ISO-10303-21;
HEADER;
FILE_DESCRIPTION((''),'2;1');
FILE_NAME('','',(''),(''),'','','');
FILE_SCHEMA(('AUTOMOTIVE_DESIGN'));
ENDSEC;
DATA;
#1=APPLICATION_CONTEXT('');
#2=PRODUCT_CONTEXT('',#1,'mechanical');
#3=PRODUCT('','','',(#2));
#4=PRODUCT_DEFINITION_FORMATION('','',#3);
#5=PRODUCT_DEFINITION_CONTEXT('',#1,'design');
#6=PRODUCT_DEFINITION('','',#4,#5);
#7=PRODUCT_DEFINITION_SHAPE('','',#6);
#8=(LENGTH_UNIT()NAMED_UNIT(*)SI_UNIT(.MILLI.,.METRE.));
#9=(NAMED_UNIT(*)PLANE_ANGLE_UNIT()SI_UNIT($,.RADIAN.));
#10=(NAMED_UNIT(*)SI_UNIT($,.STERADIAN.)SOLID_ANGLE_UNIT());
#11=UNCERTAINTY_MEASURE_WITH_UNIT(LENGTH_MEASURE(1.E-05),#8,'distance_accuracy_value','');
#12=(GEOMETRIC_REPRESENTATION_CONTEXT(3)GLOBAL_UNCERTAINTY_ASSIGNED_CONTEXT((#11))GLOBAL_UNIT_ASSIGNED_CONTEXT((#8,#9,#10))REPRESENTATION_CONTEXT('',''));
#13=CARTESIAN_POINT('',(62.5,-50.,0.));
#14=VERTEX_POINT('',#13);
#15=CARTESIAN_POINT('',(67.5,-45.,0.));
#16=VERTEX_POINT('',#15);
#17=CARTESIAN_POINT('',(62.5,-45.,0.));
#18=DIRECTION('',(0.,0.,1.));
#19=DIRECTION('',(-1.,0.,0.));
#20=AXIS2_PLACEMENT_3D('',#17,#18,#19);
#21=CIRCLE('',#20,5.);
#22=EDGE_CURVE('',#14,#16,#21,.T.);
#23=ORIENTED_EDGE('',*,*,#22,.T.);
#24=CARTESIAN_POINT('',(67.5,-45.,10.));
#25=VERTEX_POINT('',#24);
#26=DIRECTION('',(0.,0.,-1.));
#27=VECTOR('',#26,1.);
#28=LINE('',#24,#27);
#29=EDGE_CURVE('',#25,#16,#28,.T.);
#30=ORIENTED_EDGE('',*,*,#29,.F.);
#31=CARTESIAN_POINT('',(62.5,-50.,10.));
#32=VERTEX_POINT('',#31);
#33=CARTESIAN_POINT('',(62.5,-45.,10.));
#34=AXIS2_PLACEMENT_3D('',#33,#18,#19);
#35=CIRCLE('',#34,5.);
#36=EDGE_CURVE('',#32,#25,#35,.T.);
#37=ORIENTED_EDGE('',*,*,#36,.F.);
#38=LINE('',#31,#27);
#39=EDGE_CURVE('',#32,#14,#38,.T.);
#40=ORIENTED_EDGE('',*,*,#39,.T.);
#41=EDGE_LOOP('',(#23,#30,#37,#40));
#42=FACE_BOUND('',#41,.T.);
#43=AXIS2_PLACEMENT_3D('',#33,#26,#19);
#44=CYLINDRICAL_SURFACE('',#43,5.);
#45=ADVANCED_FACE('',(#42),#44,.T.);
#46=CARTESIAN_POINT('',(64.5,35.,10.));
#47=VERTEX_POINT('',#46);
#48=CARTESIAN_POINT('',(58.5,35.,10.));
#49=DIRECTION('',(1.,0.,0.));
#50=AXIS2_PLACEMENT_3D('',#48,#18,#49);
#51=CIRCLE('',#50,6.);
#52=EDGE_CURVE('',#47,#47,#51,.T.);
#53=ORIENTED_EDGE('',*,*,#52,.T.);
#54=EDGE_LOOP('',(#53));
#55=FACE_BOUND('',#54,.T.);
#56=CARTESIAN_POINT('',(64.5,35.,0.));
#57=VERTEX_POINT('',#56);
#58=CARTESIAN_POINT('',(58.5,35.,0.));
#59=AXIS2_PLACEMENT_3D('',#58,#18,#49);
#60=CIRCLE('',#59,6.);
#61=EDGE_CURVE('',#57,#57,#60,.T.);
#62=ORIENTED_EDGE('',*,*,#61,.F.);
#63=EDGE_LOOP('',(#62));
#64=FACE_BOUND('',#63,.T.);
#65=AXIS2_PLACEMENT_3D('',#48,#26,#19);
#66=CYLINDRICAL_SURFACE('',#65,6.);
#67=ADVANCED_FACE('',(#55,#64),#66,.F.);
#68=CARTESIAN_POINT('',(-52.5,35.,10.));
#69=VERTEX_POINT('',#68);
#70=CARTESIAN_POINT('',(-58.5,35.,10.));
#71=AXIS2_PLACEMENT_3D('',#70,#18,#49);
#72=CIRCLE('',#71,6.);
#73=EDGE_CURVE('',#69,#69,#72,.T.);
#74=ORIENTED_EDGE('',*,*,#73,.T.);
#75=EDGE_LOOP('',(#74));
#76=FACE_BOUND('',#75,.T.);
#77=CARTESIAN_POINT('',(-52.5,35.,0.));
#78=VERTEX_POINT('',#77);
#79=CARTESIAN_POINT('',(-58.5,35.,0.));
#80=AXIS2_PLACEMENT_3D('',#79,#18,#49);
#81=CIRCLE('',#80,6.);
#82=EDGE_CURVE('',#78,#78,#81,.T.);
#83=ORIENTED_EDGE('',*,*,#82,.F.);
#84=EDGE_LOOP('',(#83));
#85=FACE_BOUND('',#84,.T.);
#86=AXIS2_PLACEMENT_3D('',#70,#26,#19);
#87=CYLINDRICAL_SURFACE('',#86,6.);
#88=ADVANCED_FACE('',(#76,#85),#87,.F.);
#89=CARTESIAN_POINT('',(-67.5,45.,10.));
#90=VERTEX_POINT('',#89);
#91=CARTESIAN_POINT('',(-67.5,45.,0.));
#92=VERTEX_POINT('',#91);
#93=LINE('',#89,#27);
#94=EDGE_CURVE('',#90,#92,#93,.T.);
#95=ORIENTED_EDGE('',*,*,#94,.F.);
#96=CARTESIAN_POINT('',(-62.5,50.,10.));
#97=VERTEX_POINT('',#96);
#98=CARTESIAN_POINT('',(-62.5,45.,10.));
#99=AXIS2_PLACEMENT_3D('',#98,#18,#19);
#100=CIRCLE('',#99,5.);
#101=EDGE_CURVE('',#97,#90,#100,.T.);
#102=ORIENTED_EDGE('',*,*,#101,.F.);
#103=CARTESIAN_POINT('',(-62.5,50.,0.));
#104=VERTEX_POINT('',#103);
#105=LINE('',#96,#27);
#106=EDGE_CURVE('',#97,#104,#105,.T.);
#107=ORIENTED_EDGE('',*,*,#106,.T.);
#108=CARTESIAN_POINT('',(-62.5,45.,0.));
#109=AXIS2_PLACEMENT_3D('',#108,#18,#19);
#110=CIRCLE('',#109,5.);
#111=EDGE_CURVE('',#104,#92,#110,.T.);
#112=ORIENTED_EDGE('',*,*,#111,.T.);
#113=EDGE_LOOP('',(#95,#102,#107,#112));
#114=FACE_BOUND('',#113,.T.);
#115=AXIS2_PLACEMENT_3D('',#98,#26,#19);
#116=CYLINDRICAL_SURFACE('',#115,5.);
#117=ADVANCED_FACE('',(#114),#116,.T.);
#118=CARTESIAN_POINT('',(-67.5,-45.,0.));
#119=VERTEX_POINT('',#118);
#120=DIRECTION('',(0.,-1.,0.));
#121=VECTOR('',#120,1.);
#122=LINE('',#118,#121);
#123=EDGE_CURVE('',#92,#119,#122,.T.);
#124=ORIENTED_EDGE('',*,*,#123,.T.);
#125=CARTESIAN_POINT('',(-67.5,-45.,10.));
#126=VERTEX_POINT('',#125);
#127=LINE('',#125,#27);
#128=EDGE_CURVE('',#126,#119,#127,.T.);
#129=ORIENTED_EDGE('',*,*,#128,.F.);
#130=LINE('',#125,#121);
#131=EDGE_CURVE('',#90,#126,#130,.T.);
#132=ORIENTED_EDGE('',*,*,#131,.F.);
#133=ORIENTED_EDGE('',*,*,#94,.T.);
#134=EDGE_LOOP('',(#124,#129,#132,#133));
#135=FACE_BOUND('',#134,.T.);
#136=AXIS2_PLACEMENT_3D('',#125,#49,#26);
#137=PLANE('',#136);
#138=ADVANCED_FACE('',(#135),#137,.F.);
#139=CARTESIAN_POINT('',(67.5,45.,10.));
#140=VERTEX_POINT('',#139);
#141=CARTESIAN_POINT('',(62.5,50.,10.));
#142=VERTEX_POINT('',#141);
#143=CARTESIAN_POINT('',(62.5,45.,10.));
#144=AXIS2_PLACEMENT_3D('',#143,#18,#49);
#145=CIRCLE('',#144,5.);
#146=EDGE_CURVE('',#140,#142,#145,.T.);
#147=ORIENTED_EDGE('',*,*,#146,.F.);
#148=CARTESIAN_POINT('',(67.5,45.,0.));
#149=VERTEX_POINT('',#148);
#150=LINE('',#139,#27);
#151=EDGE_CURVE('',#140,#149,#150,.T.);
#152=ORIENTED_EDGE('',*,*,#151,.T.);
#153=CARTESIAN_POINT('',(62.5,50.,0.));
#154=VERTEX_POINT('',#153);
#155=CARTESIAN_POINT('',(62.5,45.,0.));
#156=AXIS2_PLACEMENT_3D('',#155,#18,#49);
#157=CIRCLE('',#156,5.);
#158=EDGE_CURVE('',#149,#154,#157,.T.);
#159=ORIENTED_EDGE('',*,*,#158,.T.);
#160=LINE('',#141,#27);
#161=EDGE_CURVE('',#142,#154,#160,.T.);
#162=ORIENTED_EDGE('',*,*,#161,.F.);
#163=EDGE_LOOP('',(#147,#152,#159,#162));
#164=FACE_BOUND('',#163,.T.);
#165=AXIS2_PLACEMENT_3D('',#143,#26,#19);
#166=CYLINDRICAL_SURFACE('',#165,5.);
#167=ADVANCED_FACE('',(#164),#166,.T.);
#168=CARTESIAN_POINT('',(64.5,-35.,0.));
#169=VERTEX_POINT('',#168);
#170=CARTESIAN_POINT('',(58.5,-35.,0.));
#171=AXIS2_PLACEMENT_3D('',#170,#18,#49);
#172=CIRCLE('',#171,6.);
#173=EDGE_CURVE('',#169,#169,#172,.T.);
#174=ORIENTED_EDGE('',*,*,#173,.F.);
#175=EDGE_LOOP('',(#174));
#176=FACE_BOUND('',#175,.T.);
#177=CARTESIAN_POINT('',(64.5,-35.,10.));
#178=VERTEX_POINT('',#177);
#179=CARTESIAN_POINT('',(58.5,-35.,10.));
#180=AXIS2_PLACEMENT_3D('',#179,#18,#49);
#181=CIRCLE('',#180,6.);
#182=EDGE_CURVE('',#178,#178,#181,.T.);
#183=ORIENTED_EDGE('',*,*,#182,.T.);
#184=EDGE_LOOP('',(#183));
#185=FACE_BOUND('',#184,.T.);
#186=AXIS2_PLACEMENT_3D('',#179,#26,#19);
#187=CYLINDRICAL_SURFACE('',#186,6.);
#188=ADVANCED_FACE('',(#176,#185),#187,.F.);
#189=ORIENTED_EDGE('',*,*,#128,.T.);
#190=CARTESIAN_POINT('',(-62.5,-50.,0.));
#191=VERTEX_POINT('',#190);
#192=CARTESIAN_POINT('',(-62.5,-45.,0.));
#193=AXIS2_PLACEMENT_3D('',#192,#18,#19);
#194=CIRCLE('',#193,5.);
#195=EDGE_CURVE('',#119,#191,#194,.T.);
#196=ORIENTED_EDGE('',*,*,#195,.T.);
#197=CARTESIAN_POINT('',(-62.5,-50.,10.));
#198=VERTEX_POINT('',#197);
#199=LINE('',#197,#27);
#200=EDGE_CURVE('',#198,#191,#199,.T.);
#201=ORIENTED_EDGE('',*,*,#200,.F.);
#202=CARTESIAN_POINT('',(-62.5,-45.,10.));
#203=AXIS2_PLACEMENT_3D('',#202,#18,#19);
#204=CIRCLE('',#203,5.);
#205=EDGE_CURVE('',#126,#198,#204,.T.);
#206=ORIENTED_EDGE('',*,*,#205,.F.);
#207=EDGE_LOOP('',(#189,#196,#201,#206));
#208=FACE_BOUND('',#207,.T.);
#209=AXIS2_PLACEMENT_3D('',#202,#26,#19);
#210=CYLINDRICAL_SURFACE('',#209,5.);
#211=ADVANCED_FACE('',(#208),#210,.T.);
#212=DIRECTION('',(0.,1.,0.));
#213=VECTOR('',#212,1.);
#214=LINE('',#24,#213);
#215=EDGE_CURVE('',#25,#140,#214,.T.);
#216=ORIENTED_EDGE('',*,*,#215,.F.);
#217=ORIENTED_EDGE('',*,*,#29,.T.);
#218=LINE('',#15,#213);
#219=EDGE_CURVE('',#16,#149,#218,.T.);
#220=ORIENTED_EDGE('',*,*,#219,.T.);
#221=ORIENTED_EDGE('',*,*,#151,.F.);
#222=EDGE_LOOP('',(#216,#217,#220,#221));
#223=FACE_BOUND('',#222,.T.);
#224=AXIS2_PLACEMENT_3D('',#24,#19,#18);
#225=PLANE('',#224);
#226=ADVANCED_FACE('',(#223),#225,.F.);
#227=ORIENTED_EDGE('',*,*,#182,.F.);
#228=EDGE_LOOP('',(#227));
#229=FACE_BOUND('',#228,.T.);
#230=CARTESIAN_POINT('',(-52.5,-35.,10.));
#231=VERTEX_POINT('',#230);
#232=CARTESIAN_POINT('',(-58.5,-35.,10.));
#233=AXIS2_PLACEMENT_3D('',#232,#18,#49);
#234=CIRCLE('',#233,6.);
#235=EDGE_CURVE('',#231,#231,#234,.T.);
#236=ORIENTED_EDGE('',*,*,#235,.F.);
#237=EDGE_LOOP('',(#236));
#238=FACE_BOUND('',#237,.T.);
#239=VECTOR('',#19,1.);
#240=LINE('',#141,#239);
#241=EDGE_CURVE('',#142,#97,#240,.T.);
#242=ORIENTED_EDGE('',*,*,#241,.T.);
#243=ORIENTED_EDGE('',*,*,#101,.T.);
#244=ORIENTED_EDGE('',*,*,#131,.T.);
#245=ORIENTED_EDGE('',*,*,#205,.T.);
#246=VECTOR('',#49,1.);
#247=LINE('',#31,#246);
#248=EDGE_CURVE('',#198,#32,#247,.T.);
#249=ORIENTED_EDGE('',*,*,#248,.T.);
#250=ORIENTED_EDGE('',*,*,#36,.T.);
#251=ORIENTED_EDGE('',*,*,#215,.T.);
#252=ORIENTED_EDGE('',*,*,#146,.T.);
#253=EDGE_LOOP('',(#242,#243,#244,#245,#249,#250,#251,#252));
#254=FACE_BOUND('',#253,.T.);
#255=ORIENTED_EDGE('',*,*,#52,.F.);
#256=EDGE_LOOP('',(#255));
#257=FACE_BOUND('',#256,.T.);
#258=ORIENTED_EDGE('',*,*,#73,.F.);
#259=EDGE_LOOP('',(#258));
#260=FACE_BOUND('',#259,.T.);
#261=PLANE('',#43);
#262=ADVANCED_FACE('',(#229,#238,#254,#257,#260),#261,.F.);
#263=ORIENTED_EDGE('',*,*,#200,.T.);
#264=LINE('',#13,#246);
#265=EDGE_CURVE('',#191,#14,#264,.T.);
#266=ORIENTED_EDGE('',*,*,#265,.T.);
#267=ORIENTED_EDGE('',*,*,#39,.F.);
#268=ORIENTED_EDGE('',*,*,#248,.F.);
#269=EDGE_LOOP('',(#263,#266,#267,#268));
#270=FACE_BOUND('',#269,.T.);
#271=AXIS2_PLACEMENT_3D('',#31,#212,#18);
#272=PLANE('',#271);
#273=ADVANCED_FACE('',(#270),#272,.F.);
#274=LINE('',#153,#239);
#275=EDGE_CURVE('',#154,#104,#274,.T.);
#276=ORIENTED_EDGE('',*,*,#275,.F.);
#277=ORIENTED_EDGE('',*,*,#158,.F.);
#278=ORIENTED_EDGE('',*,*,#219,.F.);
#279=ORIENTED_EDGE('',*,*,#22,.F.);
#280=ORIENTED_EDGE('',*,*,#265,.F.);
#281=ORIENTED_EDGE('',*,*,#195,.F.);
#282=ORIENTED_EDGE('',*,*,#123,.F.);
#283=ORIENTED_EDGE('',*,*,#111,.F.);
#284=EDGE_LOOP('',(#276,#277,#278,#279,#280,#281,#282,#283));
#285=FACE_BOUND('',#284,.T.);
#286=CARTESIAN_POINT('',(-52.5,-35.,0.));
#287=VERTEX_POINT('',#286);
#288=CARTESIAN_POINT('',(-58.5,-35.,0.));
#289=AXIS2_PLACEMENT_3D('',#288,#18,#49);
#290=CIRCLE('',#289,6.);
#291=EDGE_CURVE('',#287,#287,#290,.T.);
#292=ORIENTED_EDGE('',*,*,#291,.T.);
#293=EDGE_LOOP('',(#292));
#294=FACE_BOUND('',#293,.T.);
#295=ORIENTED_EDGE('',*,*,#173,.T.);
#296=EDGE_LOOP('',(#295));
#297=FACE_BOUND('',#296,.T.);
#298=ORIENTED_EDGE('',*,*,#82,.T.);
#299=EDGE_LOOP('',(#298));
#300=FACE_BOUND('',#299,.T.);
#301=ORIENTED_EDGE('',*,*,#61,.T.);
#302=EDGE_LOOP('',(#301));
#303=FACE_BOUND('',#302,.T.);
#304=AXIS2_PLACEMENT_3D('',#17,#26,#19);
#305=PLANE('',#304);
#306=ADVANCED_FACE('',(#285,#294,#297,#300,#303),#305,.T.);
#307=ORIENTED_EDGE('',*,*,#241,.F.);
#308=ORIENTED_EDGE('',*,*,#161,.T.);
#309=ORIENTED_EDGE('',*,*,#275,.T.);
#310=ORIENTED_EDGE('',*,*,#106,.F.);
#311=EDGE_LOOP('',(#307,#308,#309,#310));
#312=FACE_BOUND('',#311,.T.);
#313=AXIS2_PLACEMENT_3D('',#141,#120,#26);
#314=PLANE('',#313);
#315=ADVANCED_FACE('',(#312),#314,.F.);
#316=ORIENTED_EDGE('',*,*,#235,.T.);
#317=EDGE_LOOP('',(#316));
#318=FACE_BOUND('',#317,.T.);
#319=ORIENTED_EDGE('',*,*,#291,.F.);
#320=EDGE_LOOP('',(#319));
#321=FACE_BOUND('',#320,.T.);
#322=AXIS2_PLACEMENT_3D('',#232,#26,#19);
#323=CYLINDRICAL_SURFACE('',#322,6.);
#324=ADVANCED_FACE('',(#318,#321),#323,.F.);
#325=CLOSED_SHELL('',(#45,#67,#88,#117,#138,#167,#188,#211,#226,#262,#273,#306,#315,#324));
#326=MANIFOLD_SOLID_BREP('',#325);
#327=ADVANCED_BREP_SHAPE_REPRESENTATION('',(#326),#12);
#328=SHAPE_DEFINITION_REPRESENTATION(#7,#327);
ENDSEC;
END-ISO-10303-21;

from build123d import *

# Parameters (mm, degrees)
SKETCH2_R           = 6
BOSS_EXTRUDE1_DEPTH = 10


with BuildPart() as part:
    # Sketch2 → Boss-Extrude1 (new body)
    with BuildSketch(Plane(origin=(0, 0, 0), x_dir=(0, 1, 0), z_dir=(0, 0, 1))):
        with BuildLine():
            Line((-45, -67.5), (45, -67.5))
            ThreePointArc((45, -67.5), (48.535533906, -66.035533906), (50, -62.5))
            Line((50, -62.5), (50, 62.5))
            ThreePointArc((50, 62.5), (48.535533906, 66.035533906), (45, 67.5))
            Line((45, 67.5), (-45, 67.5))
            ThreePointArc((-45, 67.5), (-48.535533906, 66.035533906), (-50, 62.5))
            Line((-50, 62.5), (-50, -62.5))
            ThreePointArc((-50, -62.5), (-48.535533906, -66.035533906), (-45, -67.5))
        make_face()
        with Locations(Location((-35, 58.5, 0), (0, 0, 270))):
            Circle(SKETCH2_R, mode=Mode.SUBTRACT)
        with Locations(Location((35, 58.5, 0), (0, 0, 270))):
            Circle(SKETCH2_R, mode=Mode.SUBTRACT)
        with Locations(Location((35, -58.5, 0), (0, 0, 270))):
            Circle(SKETCH2_R, mode=Mode.SUBTRACT)
        with Locations(Location((-35, -58.5, 0), (0, 0, 270))):
            Circle(SKETCH2_R, mode=Mode.SUBTRACT)
    extrude(amount=BOSS_EXTRUDE1_DEPTH)


solid = part.part
